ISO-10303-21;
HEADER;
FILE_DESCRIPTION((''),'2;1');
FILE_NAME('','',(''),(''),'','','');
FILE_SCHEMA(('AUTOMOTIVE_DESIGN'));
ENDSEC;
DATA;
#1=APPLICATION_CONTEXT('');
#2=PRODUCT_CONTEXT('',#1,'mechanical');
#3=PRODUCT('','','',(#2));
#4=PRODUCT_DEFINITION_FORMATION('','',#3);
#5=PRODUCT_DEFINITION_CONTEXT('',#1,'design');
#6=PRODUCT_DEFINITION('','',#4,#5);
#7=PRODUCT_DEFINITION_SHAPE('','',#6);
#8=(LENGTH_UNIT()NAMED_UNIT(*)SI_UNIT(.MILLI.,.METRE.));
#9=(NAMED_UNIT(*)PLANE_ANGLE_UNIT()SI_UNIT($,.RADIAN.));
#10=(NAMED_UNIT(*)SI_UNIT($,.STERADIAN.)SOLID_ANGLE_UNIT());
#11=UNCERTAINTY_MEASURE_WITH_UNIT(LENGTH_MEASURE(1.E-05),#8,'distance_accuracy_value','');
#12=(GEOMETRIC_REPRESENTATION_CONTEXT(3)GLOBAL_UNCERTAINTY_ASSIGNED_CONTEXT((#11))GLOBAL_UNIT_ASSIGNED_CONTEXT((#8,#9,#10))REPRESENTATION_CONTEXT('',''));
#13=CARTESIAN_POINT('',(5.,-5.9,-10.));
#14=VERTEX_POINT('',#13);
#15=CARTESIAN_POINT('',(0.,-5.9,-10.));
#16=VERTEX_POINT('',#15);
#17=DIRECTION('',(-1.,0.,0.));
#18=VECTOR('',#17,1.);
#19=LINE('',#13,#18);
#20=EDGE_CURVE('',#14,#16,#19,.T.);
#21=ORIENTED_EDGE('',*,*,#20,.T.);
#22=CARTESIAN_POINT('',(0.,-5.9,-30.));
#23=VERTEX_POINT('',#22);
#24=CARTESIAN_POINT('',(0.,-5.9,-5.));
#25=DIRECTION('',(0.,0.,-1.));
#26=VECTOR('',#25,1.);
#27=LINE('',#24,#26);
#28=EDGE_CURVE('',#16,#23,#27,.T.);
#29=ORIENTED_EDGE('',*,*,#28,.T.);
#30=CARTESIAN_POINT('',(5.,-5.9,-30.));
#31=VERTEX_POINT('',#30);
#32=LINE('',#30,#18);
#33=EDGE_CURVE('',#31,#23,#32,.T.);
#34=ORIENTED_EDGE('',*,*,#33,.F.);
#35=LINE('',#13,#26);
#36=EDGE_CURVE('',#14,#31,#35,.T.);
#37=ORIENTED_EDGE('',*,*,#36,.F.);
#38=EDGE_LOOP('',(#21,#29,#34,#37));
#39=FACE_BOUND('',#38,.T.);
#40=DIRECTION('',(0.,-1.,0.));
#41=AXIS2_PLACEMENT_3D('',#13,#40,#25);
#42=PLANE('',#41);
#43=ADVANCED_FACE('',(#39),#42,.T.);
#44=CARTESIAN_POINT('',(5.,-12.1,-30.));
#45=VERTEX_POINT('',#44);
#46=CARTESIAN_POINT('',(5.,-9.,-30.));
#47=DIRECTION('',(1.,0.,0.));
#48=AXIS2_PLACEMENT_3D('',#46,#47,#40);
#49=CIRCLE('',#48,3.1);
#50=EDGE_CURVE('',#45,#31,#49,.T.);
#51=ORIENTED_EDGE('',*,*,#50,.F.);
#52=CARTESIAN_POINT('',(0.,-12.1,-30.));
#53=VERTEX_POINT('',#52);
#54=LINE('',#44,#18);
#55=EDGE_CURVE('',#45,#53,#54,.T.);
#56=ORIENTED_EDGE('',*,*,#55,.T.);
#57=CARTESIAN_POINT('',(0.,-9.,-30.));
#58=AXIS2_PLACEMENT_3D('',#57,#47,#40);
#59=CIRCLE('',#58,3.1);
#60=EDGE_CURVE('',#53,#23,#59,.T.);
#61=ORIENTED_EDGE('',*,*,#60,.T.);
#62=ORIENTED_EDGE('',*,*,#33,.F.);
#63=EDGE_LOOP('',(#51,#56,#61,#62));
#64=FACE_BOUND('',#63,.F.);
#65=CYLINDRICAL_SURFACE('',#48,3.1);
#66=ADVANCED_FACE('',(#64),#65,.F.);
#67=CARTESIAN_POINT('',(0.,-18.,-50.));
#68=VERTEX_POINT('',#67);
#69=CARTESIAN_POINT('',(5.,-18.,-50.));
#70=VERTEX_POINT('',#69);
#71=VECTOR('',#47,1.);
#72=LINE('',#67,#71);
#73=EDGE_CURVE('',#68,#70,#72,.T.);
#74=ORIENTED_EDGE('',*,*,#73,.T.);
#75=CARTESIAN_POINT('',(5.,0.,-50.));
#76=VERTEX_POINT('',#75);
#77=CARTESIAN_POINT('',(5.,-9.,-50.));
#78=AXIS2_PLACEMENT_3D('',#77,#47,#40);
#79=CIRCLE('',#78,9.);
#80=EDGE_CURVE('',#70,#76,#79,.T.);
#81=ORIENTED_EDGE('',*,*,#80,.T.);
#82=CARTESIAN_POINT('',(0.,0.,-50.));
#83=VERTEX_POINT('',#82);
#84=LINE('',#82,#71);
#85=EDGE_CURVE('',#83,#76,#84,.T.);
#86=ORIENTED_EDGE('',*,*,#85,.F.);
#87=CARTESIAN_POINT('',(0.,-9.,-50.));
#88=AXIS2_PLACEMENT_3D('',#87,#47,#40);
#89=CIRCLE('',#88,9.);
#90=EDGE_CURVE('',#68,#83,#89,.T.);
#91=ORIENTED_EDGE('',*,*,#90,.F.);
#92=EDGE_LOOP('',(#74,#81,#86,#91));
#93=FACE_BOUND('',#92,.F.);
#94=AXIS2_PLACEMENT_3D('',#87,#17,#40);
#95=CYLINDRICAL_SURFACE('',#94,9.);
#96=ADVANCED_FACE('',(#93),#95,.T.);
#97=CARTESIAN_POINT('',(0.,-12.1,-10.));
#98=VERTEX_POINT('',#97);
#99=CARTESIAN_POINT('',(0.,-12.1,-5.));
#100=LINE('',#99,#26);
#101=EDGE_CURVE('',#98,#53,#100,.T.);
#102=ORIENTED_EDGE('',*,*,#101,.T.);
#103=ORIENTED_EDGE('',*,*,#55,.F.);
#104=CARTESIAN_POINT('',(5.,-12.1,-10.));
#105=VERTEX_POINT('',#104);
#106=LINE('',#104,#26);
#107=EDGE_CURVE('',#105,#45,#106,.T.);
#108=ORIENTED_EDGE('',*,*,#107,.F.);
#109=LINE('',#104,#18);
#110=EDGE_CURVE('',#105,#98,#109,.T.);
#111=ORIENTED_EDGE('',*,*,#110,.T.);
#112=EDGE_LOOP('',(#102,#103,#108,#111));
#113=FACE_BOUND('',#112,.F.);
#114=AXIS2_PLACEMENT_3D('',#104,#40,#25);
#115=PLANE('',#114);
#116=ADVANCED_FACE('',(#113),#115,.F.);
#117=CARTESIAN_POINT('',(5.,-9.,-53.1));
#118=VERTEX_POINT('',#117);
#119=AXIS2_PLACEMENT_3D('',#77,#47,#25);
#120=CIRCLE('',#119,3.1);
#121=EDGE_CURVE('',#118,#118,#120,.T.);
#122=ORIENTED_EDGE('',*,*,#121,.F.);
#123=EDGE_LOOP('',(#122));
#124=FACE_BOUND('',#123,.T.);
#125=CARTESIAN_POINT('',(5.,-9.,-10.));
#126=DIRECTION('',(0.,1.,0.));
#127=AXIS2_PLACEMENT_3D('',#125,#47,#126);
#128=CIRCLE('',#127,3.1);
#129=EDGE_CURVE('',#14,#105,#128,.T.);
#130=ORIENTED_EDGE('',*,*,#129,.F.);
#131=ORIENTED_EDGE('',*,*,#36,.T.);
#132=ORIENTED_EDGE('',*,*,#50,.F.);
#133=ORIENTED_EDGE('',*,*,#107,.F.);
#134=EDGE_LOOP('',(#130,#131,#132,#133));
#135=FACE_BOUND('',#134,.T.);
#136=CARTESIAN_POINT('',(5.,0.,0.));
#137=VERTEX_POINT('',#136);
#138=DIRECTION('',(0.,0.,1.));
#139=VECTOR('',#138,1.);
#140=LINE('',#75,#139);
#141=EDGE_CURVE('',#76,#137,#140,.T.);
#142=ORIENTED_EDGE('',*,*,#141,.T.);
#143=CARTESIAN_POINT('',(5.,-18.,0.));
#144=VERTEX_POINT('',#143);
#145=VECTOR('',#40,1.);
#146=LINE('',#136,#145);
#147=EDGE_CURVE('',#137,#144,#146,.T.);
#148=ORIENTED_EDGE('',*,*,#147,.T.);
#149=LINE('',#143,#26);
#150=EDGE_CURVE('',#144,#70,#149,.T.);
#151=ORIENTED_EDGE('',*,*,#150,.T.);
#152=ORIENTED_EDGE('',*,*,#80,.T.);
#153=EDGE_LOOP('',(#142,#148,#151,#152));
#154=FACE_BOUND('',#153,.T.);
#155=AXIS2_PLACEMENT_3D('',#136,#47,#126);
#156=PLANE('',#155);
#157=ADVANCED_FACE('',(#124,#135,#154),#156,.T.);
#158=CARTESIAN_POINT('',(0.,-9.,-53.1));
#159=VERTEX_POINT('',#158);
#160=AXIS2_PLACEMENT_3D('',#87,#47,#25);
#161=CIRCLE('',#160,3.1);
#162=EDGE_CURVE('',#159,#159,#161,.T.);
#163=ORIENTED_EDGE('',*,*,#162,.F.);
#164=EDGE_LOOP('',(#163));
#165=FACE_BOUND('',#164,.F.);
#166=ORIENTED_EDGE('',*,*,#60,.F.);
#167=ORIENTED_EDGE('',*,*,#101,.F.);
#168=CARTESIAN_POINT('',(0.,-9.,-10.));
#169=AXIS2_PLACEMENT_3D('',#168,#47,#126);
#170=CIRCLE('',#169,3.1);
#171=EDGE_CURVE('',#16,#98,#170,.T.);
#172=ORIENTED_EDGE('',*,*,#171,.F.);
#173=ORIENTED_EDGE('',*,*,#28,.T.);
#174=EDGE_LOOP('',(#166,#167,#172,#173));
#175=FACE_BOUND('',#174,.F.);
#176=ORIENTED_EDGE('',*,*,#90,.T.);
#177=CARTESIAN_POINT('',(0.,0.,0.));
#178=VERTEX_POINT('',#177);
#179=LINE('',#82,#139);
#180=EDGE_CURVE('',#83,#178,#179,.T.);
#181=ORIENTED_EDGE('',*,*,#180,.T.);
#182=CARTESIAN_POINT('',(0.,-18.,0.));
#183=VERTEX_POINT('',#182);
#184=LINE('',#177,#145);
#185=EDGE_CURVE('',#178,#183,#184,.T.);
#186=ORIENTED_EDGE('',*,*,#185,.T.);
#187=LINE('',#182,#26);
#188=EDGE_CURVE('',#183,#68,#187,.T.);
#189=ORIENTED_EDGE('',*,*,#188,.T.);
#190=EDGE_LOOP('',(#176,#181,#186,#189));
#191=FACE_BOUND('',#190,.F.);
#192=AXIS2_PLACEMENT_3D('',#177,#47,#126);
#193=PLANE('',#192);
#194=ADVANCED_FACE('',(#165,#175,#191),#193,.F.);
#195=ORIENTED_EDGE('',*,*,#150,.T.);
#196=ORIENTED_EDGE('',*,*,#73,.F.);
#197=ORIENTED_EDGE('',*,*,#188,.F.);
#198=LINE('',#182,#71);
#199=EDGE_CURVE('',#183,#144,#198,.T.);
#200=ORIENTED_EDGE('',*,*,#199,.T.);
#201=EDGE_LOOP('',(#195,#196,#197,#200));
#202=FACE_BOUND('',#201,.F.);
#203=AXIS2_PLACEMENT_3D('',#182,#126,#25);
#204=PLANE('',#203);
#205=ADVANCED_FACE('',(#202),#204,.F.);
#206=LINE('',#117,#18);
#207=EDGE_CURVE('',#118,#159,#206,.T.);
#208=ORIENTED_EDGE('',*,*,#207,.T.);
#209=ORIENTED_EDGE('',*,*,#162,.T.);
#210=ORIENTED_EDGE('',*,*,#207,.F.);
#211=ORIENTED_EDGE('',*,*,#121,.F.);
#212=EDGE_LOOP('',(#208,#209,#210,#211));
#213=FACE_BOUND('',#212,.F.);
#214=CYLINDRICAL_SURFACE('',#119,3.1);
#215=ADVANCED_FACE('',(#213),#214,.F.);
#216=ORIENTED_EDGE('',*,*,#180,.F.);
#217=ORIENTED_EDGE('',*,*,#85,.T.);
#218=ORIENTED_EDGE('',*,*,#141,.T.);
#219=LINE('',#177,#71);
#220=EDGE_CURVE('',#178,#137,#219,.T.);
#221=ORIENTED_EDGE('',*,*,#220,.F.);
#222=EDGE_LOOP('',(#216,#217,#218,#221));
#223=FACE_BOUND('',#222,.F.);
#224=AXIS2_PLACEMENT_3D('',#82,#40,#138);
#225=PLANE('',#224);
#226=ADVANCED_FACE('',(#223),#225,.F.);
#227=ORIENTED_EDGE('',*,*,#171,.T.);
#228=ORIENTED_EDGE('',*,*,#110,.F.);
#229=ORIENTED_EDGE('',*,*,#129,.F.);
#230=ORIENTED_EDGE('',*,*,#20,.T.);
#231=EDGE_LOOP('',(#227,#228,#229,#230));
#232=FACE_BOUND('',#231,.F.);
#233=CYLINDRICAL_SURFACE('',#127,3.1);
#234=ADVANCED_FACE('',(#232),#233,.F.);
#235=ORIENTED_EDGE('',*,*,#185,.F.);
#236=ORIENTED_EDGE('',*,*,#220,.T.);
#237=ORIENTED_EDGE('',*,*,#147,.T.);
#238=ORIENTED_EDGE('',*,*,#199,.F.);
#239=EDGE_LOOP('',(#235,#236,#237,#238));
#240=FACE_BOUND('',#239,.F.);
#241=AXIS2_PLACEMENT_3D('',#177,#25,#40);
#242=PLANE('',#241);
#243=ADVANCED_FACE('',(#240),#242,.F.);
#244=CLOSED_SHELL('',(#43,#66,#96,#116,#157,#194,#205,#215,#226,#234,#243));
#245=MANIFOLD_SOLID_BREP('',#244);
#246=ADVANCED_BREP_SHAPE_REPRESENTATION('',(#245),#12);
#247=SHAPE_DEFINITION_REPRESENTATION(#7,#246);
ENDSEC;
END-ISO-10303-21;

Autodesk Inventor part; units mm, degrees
ref_plane "YZ Plane" through (0, 0, 0) normal (1, 0, 0) x (0, 1, 0)
ref_plane "XZ Plane" through (0, 0, 0) normal (0, 1, 0) x (-1, 0, 0)
ref_plane "XY Plane" through (0, 0, 0) normal (0, 0, 1) x (1, 0, 0)
sketch "Sketch1" plane through (0, 0, 0) normal (1, 0, 0) x (0, 1, 0)
  point P0 (0, 0)
sketch "Sketch2" plane through (0, 0, 0) normal (1, 0, 0) x (0, 1, 0)
  line L0 (0, 0) -> (-18, 0)
  line L1 (-18, 0) -> (-18, -50)
  line L2 (0, -50) -> (0, 0)
  arc A0 (-18, -50) -> (0, -50) centre (-9, -50) ccw
  point P0 (-4.8185, -57.9696)
  dimension "d0" = 18
  dimension "d1" = 50
  dimension "d4" = 18
extrude "Extrusion1" add sketch "Sketch2" along normal blind 5
sketch "Sketch3" plane through (5, 0, 0) normal (1, 0, 0) x (0, 0, -1)
  arc A0 (50, -18) -> (50, 0) centre (50, -9) ccw projected
  circle A1 centre (50, -9) radius 3.1
  arc A2 (10, -5.9) -> (10, -12.1) centre (10, -9) ccw
  arc A3 (30, -12.1) -> (30, -5.9) centre (30, -9) ccw
  line L0 (10, -5.9) -> (30, -5.9)
  line L1 (10, -12.1) -> (30, -12.1)
  line L2 (0, 0) -> (0, -18) projected
  dimension "d5" = 6.2
  dimension "d6" = 6.2
  dimension "d7" = 6.2
  dimension "d8" = 10
  dimension "d9" = 20
extrude "Extrusion2" cut sketch "Sketch3" against normal through all
properties part number "roller bracket"
